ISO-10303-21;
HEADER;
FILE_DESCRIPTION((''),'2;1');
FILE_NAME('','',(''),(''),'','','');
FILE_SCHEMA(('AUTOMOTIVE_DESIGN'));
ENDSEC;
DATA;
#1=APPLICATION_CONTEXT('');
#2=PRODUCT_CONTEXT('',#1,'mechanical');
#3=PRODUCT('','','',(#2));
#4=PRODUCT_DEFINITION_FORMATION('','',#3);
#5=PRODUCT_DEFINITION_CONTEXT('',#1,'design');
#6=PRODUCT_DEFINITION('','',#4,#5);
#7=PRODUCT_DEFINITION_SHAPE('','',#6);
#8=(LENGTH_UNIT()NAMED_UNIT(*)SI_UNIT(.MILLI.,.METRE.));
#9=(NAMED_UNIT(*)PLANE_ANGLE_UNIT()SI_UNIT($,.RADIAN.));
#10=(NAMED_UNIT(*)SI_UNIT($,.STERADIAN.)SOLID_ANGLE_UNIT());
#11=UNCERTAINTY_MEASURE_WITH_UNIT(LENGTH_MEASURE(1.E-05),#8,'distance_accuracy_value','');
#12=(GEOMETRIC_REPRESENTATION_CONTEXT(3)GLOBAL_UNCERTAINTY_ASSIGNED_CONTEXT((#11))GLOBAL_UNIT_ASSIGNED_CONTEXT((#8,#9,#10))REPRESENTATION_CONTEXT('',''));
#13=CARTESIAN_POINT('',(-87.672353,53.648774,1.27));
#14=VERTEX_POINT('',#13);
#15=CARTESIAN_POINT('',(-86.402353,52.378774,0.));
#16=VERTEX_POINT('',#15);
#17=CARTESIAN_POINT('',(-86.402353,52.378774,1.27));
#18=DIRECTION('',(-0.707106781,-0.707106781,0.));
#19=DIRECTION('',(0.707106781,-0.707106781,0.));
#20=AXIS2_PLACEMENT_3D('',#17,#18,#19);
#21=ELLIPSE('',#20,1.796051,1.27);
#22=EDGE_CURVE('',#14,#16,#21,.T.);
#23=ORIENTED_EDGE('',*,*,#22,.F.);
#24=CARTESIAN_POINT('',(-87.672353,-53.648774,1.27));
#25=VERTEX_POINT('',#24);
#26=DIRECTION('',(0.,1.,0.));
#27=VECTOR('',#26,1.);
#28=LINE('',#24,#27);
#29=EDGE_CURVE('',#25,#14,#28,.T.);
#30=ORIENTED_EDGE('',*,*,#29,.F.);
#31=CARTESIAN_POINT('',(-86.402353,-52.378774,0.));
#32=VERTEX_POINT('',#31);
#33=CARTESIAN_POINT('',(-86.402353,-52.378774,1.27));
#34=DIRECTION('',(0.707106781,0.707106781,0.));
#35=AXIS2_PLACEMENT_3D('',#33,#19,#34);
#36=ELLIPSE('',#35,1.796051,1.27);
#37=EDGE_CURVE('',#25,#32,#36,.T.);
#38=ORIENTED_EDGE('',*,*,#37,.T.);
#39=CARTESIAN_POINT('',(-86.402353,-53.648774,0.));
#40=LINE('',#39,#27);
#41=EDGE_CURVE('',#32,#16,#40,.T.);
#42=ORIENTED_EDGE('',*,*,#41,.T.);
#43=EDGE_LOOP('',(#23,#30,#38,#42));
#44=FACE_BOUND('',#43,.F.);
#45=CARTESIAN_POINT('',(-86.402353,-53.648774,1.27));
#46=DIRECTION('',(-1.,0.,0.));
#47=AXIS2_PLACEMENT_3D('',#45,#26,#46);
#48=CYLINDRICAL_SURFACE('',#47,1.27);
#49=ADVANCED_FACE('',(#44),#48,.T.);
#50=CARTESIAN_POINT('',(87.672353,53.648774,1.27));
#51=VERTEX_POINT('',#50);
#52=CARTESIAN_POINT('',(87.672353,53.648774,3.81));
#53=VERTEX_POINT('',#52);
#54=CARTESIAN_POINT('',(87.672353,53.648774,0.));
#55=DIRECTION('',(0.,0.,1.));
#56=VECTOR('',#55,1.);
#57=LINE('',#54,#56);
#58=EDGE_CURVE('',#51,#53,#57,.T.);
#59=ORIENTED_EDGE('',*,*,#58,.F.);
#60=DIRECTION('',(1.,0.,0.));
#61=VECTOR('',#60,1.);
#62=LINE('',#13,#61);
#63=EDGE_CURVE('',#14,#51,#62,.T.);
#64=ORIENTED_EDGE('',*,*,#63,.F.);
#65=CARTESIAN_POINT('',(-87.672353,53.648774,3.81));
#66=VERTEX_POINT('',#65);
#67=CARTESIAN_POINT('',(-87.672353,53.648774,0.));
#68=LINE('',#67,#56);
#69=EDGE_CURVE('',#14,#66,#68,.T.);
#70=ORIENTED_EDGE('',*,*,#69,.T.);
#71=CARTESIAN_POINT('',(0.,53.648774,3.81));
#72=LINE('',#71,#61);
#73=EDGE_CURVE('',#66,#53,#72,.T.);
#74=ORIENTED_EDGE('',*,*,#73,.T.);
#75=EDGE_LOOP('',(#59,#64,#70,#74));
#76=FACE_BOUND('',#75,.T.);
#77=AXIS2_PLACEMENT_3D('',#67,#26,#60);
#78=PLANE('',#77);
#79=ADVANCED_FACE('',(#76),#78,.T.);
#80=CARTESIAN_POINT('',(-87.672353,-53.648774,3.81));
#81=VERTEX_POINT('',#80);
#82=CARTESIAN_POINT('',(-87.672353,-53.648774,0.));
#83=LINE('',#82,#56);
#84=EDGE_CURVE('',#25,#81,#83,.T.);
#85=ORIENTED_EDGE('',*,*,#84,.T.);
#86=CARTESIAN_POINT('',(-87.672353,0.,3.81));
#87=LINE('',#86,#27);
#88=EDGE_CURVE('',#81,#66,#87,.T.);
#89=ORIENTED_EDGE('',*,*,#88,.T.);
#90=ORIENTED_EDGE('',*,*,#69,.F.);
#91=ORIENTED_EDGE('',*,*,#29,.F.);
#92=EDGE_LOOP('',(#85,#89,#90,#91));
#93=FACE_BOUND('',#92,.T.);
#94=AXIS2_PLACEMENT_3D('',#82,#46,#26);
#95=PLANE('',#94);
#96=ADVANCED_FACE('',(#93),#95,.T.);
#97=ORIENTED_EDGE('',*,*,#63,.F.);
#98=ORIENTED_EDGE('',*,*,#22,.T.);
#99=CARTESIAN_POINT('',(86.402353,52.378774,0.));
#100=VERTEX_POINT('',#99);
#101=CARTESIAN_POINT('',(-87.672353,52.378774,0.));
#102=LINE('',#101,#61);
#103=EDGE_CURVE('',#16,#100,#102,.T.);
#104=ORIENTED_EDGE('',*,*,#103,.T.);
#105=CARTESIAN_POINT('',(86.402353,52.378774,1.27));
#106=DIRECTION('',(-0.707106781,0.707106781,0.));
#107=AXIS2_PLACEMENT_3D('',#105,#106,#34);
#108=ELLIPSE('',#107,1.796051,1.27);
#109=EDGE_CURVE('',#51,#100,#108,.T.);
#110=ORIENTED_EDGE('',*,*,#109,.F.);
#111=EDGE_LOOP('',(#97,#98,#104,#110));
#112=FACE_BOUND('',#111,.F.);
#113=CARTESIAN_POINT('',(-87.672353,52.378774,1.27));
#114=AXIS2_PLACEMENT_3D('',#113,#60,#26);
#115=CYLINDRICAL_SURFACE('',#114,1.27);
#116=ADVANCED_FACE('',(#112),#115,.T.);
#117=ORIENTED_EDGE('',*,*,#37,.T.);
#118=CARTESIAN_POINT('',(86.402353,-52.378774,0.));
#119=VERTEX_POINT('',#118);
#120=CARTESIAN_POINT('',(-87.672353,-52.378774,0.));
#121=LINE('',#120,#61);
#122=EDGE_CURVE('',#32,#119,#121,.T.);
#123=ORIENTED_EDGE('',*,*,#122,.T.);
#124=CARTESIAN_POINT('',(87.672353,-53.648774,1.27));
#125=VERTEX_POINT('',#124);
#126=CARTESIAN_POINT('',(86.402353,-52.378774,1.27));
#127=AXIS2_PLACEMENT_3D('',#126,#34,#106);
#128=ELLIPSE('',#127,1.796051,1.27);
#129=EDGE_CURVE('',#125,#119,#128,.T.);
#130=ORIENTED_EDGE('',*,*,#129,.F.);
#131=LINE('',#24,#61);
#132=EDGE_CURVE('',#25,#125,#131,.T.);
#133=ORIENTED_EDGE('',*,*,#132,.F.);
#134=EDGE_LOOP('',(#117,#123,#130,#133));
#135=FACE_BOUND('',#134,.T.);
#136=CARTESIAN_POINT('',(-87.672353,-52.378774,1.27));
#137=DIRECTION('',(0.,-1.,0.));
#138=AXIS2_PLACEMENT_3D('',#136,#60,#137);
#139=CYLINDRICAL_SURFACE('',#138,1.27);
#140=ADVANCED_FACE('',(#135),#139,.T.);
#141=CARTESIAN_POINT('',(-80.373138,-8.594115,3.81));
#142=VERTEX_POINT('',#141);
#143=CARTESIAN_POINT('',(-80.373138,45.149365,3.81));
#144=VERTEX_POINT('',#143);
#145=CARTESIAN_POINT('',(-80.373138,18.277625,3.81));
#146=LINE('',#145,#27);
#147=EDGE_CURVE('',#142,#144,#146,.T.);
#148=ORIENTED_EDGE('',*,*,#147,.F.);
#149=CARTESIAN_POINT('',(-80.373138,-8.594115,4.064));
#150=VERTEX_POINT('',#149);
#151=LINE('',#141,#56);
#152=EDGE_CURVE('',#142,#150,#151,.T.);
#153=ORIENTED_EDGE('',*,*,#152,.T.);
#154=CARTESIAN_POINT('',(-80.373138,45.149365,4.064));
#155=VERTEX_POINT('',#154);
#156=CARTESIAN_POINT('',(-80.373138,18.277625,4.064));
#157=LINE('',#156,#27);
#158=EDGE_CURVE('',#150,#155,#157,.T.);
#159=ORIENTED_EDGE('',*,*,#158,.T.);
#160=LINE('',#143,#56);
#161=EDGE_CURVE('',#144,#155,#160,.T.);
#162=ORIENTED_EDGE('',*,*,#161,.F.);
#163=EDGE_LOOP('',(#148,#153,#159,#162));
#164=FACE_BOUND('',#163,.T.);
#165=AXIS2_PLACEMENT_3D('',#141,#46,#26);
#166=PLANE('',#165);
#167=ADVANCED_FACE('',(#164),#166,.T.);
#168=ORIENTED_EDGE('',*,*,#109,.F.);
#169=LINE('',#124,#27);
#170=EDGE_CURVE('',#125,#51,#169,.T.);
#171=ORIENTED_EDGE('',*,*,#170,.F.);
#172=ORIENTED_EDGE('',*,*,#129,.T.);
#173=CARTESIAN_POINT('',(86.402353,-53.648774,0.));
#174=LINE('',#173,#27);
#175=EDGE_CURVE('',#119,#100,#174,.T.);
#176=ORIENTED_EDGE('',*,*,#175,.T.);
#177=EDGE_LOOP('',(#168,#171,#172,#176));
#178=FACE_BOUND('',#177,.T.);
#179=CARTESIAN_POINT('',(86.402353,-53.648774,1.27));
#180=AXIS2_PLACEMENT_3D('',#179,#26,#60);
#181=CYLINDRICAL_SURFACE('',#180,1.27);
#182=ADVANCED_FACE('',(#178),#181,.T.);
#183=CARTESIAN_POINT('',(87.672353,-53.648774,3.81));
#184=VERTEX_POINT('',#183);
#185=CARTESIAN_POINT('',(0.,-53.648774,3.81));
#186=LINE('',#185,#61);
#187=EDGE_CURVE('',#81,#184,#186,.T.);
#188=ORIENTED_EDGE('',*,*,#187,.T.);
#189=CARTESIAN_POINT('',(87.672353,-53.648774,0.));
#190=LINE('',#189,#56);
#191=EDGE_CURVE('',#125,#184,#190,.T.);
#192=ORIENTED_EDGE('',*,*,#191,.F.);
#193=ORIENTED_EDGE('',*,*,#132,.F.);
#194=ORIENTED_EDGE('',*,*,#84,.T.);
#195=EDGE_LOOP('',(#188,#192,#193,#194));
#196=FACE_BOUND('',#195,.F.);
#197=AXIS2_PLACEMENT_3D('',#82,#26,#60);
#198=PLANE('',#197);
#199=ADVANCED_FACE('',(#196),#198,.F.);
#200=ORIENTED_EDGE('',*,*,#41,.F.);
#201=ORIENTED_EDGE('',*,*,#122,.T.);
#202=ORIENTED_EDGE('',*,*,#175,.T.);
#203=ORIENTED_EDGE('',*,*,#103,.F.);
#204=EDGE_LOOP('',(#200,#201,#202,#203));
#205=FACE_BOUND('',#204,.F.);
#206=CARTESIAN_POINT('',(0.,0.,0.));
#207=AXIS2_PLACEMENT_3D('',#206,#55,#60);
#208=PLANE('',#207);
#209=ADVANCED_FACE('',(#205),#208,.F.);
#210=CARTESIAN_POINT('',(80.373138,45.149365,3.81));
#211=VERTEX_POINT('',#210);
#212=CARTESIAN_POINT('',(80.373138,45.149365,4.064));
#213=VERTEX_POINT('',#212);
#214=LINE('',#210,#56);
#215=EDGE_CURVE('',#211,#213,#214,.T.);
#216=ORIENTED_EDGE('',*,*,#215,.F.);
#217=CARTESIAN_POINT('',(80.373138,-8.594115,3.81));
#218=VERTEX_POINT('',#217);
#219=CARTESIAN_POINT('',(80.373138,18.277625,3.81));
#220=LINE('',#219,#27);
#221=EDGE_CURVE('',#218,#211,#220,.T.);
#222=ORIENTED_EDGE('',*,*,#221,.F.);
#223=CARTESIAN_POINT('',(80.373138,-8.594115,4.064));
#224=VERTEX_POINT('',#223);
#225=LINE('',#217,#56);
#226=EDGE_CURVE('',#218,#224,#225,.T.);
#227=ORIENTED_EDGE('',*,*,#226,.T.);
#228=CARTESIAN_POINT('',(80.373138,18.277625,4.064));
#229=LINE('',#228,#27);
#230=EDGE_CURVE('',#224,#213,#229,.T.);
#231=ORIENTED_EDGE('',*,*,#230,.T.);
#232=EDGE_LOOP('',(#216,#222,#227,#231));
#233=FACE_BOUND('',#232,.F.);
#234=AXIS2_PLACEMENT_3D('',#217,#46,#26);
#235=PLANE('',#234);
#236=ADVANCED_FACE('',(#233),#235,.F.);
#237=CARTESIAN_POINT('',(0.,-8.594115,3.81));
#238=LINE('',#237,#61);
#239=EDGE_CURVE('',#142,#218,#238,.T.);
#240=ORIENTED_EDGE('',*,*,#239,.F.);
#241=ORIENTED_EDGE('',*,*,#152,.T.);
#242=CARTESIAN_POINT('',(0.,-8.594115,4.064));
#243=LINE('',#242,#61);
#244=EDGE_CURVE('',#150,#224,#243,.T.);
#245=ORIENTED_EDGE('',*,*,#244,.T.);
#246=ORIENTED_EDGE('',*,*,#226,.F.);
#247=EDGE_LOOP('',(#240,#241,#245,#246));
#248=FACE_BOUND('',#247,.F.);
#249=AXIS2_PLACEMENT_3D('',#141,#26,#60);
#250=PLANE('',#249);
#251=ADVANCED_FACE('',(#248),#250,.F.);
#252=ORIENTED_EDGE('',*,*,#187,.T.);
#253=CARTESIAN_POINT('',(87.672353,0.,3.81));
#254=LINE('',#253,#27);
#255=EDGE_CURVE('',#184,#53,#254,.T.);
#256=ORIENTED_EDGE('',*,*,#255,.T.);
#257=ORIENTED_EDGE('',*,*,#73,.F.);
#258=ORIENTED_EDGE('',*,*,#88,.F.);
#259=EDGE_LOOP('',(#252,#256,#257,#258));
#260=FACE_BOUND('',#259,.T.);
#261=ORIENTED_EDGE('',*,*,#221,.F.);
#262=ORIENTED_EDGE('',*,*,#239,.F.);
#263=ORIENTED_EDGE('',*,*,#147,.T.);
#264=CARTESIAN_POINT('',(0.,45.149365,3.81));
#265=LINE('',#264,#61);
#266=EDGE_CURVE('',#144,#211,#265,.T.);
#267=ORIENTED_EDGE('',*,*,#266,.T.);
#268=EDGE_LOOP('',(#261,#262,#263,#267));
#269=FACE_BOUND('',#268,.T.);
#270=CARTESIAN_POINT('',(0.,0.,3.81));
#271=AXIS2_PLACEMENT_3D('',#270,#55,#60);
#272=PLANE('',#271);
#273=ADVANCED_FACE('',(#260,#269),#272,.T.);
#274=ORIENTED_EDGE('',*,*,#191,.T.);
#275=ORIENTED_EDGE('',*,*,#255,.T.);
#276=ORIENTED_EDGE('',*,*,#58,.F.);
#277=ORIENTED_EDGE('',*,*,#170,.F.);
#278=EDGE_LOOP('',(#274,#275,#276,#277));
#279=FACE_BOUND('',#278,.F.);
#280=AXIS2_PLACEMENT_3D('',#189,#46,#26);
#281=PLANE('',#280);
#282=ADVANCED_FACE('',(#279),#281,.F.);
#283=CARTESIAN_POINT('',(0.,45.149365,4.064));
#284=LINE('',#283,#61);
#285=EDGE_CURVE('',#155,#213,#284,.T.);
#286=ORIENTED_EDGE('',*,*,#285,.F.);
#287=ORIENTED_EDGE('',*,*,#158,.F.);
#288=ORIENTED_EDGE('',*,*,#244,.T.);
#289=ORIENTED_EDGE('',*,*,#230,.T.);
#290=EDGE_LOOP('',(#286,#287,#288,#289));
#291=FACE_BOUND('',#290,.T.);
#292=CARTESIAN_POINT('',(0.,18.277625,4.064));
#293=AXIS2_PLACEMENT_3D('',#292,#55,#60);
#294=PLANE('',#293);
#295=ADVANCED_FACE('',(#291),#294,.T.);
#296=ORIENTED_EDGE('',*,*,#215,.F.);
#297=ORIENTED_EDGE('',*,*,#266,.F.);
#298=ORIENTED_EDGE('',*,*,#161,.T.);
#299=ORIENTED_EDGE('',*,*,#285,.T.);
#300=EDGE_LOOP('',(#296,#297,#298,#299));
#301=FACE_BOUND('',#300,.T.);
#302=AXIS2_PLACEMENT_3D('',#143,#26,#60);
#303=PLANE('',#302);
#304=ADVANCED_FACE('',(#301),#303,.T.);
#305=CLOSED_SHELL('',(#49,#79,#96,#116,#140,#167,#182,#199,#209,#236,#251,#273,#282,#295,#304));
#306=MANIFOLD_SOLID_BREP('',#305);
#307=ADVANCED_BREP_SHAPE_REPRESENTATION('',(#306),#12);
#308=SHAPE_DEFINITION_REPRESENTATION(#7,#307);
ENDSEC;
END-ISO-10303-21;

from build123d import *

# Parameters (mm, degrees)
F0_W     = 175.344706
F0_H     = 107.297548
F1_DEPTH = 3.81
F2_R     = 1.27
F3_W     = 73.110506
F3_H     = 41.154918
F4_DEPTH = 2.54
F5_W     = 160.746276
F5_H     = 53.74348
F6_DEPTH = 0.254


with BuildPart() as f1:
    # F0 (on Top) → F1 (new body)
    with BuildSketch(Plane.XY):
        Rectangle(F0_W, F0_H)
    extrude(amount=F1_DEPTH)

    # F2
    f2_edges = [f1.edges().sort_by_distance(p)[0] for p in [
        (87.672353, 0, 0),
        (0, -53.648774, 0),
        (0, 53.648774, 0),
        (-87.672353, 0, 0),
    ]]
    fillet(f2_edges, radius=F2_R)

    # F3 (on face) → F4 (join)
    with BuildSketch(Plane.XY.offset(3.81)):
        with Locations((0, -30.382013)):
            Rectangle(F3_W, F3_H)
    extrude(amount=-F4_DEPTH)

    # F5 (on face) → F6 (join)
    with BuildSketch(Plane.XY.offset(3.81)):
        with Locations((0, 18.277625)):
            Rectangle(F5_W, F5_H)
    extrude(amount=F6_DEPTH)


solid = f1.part
